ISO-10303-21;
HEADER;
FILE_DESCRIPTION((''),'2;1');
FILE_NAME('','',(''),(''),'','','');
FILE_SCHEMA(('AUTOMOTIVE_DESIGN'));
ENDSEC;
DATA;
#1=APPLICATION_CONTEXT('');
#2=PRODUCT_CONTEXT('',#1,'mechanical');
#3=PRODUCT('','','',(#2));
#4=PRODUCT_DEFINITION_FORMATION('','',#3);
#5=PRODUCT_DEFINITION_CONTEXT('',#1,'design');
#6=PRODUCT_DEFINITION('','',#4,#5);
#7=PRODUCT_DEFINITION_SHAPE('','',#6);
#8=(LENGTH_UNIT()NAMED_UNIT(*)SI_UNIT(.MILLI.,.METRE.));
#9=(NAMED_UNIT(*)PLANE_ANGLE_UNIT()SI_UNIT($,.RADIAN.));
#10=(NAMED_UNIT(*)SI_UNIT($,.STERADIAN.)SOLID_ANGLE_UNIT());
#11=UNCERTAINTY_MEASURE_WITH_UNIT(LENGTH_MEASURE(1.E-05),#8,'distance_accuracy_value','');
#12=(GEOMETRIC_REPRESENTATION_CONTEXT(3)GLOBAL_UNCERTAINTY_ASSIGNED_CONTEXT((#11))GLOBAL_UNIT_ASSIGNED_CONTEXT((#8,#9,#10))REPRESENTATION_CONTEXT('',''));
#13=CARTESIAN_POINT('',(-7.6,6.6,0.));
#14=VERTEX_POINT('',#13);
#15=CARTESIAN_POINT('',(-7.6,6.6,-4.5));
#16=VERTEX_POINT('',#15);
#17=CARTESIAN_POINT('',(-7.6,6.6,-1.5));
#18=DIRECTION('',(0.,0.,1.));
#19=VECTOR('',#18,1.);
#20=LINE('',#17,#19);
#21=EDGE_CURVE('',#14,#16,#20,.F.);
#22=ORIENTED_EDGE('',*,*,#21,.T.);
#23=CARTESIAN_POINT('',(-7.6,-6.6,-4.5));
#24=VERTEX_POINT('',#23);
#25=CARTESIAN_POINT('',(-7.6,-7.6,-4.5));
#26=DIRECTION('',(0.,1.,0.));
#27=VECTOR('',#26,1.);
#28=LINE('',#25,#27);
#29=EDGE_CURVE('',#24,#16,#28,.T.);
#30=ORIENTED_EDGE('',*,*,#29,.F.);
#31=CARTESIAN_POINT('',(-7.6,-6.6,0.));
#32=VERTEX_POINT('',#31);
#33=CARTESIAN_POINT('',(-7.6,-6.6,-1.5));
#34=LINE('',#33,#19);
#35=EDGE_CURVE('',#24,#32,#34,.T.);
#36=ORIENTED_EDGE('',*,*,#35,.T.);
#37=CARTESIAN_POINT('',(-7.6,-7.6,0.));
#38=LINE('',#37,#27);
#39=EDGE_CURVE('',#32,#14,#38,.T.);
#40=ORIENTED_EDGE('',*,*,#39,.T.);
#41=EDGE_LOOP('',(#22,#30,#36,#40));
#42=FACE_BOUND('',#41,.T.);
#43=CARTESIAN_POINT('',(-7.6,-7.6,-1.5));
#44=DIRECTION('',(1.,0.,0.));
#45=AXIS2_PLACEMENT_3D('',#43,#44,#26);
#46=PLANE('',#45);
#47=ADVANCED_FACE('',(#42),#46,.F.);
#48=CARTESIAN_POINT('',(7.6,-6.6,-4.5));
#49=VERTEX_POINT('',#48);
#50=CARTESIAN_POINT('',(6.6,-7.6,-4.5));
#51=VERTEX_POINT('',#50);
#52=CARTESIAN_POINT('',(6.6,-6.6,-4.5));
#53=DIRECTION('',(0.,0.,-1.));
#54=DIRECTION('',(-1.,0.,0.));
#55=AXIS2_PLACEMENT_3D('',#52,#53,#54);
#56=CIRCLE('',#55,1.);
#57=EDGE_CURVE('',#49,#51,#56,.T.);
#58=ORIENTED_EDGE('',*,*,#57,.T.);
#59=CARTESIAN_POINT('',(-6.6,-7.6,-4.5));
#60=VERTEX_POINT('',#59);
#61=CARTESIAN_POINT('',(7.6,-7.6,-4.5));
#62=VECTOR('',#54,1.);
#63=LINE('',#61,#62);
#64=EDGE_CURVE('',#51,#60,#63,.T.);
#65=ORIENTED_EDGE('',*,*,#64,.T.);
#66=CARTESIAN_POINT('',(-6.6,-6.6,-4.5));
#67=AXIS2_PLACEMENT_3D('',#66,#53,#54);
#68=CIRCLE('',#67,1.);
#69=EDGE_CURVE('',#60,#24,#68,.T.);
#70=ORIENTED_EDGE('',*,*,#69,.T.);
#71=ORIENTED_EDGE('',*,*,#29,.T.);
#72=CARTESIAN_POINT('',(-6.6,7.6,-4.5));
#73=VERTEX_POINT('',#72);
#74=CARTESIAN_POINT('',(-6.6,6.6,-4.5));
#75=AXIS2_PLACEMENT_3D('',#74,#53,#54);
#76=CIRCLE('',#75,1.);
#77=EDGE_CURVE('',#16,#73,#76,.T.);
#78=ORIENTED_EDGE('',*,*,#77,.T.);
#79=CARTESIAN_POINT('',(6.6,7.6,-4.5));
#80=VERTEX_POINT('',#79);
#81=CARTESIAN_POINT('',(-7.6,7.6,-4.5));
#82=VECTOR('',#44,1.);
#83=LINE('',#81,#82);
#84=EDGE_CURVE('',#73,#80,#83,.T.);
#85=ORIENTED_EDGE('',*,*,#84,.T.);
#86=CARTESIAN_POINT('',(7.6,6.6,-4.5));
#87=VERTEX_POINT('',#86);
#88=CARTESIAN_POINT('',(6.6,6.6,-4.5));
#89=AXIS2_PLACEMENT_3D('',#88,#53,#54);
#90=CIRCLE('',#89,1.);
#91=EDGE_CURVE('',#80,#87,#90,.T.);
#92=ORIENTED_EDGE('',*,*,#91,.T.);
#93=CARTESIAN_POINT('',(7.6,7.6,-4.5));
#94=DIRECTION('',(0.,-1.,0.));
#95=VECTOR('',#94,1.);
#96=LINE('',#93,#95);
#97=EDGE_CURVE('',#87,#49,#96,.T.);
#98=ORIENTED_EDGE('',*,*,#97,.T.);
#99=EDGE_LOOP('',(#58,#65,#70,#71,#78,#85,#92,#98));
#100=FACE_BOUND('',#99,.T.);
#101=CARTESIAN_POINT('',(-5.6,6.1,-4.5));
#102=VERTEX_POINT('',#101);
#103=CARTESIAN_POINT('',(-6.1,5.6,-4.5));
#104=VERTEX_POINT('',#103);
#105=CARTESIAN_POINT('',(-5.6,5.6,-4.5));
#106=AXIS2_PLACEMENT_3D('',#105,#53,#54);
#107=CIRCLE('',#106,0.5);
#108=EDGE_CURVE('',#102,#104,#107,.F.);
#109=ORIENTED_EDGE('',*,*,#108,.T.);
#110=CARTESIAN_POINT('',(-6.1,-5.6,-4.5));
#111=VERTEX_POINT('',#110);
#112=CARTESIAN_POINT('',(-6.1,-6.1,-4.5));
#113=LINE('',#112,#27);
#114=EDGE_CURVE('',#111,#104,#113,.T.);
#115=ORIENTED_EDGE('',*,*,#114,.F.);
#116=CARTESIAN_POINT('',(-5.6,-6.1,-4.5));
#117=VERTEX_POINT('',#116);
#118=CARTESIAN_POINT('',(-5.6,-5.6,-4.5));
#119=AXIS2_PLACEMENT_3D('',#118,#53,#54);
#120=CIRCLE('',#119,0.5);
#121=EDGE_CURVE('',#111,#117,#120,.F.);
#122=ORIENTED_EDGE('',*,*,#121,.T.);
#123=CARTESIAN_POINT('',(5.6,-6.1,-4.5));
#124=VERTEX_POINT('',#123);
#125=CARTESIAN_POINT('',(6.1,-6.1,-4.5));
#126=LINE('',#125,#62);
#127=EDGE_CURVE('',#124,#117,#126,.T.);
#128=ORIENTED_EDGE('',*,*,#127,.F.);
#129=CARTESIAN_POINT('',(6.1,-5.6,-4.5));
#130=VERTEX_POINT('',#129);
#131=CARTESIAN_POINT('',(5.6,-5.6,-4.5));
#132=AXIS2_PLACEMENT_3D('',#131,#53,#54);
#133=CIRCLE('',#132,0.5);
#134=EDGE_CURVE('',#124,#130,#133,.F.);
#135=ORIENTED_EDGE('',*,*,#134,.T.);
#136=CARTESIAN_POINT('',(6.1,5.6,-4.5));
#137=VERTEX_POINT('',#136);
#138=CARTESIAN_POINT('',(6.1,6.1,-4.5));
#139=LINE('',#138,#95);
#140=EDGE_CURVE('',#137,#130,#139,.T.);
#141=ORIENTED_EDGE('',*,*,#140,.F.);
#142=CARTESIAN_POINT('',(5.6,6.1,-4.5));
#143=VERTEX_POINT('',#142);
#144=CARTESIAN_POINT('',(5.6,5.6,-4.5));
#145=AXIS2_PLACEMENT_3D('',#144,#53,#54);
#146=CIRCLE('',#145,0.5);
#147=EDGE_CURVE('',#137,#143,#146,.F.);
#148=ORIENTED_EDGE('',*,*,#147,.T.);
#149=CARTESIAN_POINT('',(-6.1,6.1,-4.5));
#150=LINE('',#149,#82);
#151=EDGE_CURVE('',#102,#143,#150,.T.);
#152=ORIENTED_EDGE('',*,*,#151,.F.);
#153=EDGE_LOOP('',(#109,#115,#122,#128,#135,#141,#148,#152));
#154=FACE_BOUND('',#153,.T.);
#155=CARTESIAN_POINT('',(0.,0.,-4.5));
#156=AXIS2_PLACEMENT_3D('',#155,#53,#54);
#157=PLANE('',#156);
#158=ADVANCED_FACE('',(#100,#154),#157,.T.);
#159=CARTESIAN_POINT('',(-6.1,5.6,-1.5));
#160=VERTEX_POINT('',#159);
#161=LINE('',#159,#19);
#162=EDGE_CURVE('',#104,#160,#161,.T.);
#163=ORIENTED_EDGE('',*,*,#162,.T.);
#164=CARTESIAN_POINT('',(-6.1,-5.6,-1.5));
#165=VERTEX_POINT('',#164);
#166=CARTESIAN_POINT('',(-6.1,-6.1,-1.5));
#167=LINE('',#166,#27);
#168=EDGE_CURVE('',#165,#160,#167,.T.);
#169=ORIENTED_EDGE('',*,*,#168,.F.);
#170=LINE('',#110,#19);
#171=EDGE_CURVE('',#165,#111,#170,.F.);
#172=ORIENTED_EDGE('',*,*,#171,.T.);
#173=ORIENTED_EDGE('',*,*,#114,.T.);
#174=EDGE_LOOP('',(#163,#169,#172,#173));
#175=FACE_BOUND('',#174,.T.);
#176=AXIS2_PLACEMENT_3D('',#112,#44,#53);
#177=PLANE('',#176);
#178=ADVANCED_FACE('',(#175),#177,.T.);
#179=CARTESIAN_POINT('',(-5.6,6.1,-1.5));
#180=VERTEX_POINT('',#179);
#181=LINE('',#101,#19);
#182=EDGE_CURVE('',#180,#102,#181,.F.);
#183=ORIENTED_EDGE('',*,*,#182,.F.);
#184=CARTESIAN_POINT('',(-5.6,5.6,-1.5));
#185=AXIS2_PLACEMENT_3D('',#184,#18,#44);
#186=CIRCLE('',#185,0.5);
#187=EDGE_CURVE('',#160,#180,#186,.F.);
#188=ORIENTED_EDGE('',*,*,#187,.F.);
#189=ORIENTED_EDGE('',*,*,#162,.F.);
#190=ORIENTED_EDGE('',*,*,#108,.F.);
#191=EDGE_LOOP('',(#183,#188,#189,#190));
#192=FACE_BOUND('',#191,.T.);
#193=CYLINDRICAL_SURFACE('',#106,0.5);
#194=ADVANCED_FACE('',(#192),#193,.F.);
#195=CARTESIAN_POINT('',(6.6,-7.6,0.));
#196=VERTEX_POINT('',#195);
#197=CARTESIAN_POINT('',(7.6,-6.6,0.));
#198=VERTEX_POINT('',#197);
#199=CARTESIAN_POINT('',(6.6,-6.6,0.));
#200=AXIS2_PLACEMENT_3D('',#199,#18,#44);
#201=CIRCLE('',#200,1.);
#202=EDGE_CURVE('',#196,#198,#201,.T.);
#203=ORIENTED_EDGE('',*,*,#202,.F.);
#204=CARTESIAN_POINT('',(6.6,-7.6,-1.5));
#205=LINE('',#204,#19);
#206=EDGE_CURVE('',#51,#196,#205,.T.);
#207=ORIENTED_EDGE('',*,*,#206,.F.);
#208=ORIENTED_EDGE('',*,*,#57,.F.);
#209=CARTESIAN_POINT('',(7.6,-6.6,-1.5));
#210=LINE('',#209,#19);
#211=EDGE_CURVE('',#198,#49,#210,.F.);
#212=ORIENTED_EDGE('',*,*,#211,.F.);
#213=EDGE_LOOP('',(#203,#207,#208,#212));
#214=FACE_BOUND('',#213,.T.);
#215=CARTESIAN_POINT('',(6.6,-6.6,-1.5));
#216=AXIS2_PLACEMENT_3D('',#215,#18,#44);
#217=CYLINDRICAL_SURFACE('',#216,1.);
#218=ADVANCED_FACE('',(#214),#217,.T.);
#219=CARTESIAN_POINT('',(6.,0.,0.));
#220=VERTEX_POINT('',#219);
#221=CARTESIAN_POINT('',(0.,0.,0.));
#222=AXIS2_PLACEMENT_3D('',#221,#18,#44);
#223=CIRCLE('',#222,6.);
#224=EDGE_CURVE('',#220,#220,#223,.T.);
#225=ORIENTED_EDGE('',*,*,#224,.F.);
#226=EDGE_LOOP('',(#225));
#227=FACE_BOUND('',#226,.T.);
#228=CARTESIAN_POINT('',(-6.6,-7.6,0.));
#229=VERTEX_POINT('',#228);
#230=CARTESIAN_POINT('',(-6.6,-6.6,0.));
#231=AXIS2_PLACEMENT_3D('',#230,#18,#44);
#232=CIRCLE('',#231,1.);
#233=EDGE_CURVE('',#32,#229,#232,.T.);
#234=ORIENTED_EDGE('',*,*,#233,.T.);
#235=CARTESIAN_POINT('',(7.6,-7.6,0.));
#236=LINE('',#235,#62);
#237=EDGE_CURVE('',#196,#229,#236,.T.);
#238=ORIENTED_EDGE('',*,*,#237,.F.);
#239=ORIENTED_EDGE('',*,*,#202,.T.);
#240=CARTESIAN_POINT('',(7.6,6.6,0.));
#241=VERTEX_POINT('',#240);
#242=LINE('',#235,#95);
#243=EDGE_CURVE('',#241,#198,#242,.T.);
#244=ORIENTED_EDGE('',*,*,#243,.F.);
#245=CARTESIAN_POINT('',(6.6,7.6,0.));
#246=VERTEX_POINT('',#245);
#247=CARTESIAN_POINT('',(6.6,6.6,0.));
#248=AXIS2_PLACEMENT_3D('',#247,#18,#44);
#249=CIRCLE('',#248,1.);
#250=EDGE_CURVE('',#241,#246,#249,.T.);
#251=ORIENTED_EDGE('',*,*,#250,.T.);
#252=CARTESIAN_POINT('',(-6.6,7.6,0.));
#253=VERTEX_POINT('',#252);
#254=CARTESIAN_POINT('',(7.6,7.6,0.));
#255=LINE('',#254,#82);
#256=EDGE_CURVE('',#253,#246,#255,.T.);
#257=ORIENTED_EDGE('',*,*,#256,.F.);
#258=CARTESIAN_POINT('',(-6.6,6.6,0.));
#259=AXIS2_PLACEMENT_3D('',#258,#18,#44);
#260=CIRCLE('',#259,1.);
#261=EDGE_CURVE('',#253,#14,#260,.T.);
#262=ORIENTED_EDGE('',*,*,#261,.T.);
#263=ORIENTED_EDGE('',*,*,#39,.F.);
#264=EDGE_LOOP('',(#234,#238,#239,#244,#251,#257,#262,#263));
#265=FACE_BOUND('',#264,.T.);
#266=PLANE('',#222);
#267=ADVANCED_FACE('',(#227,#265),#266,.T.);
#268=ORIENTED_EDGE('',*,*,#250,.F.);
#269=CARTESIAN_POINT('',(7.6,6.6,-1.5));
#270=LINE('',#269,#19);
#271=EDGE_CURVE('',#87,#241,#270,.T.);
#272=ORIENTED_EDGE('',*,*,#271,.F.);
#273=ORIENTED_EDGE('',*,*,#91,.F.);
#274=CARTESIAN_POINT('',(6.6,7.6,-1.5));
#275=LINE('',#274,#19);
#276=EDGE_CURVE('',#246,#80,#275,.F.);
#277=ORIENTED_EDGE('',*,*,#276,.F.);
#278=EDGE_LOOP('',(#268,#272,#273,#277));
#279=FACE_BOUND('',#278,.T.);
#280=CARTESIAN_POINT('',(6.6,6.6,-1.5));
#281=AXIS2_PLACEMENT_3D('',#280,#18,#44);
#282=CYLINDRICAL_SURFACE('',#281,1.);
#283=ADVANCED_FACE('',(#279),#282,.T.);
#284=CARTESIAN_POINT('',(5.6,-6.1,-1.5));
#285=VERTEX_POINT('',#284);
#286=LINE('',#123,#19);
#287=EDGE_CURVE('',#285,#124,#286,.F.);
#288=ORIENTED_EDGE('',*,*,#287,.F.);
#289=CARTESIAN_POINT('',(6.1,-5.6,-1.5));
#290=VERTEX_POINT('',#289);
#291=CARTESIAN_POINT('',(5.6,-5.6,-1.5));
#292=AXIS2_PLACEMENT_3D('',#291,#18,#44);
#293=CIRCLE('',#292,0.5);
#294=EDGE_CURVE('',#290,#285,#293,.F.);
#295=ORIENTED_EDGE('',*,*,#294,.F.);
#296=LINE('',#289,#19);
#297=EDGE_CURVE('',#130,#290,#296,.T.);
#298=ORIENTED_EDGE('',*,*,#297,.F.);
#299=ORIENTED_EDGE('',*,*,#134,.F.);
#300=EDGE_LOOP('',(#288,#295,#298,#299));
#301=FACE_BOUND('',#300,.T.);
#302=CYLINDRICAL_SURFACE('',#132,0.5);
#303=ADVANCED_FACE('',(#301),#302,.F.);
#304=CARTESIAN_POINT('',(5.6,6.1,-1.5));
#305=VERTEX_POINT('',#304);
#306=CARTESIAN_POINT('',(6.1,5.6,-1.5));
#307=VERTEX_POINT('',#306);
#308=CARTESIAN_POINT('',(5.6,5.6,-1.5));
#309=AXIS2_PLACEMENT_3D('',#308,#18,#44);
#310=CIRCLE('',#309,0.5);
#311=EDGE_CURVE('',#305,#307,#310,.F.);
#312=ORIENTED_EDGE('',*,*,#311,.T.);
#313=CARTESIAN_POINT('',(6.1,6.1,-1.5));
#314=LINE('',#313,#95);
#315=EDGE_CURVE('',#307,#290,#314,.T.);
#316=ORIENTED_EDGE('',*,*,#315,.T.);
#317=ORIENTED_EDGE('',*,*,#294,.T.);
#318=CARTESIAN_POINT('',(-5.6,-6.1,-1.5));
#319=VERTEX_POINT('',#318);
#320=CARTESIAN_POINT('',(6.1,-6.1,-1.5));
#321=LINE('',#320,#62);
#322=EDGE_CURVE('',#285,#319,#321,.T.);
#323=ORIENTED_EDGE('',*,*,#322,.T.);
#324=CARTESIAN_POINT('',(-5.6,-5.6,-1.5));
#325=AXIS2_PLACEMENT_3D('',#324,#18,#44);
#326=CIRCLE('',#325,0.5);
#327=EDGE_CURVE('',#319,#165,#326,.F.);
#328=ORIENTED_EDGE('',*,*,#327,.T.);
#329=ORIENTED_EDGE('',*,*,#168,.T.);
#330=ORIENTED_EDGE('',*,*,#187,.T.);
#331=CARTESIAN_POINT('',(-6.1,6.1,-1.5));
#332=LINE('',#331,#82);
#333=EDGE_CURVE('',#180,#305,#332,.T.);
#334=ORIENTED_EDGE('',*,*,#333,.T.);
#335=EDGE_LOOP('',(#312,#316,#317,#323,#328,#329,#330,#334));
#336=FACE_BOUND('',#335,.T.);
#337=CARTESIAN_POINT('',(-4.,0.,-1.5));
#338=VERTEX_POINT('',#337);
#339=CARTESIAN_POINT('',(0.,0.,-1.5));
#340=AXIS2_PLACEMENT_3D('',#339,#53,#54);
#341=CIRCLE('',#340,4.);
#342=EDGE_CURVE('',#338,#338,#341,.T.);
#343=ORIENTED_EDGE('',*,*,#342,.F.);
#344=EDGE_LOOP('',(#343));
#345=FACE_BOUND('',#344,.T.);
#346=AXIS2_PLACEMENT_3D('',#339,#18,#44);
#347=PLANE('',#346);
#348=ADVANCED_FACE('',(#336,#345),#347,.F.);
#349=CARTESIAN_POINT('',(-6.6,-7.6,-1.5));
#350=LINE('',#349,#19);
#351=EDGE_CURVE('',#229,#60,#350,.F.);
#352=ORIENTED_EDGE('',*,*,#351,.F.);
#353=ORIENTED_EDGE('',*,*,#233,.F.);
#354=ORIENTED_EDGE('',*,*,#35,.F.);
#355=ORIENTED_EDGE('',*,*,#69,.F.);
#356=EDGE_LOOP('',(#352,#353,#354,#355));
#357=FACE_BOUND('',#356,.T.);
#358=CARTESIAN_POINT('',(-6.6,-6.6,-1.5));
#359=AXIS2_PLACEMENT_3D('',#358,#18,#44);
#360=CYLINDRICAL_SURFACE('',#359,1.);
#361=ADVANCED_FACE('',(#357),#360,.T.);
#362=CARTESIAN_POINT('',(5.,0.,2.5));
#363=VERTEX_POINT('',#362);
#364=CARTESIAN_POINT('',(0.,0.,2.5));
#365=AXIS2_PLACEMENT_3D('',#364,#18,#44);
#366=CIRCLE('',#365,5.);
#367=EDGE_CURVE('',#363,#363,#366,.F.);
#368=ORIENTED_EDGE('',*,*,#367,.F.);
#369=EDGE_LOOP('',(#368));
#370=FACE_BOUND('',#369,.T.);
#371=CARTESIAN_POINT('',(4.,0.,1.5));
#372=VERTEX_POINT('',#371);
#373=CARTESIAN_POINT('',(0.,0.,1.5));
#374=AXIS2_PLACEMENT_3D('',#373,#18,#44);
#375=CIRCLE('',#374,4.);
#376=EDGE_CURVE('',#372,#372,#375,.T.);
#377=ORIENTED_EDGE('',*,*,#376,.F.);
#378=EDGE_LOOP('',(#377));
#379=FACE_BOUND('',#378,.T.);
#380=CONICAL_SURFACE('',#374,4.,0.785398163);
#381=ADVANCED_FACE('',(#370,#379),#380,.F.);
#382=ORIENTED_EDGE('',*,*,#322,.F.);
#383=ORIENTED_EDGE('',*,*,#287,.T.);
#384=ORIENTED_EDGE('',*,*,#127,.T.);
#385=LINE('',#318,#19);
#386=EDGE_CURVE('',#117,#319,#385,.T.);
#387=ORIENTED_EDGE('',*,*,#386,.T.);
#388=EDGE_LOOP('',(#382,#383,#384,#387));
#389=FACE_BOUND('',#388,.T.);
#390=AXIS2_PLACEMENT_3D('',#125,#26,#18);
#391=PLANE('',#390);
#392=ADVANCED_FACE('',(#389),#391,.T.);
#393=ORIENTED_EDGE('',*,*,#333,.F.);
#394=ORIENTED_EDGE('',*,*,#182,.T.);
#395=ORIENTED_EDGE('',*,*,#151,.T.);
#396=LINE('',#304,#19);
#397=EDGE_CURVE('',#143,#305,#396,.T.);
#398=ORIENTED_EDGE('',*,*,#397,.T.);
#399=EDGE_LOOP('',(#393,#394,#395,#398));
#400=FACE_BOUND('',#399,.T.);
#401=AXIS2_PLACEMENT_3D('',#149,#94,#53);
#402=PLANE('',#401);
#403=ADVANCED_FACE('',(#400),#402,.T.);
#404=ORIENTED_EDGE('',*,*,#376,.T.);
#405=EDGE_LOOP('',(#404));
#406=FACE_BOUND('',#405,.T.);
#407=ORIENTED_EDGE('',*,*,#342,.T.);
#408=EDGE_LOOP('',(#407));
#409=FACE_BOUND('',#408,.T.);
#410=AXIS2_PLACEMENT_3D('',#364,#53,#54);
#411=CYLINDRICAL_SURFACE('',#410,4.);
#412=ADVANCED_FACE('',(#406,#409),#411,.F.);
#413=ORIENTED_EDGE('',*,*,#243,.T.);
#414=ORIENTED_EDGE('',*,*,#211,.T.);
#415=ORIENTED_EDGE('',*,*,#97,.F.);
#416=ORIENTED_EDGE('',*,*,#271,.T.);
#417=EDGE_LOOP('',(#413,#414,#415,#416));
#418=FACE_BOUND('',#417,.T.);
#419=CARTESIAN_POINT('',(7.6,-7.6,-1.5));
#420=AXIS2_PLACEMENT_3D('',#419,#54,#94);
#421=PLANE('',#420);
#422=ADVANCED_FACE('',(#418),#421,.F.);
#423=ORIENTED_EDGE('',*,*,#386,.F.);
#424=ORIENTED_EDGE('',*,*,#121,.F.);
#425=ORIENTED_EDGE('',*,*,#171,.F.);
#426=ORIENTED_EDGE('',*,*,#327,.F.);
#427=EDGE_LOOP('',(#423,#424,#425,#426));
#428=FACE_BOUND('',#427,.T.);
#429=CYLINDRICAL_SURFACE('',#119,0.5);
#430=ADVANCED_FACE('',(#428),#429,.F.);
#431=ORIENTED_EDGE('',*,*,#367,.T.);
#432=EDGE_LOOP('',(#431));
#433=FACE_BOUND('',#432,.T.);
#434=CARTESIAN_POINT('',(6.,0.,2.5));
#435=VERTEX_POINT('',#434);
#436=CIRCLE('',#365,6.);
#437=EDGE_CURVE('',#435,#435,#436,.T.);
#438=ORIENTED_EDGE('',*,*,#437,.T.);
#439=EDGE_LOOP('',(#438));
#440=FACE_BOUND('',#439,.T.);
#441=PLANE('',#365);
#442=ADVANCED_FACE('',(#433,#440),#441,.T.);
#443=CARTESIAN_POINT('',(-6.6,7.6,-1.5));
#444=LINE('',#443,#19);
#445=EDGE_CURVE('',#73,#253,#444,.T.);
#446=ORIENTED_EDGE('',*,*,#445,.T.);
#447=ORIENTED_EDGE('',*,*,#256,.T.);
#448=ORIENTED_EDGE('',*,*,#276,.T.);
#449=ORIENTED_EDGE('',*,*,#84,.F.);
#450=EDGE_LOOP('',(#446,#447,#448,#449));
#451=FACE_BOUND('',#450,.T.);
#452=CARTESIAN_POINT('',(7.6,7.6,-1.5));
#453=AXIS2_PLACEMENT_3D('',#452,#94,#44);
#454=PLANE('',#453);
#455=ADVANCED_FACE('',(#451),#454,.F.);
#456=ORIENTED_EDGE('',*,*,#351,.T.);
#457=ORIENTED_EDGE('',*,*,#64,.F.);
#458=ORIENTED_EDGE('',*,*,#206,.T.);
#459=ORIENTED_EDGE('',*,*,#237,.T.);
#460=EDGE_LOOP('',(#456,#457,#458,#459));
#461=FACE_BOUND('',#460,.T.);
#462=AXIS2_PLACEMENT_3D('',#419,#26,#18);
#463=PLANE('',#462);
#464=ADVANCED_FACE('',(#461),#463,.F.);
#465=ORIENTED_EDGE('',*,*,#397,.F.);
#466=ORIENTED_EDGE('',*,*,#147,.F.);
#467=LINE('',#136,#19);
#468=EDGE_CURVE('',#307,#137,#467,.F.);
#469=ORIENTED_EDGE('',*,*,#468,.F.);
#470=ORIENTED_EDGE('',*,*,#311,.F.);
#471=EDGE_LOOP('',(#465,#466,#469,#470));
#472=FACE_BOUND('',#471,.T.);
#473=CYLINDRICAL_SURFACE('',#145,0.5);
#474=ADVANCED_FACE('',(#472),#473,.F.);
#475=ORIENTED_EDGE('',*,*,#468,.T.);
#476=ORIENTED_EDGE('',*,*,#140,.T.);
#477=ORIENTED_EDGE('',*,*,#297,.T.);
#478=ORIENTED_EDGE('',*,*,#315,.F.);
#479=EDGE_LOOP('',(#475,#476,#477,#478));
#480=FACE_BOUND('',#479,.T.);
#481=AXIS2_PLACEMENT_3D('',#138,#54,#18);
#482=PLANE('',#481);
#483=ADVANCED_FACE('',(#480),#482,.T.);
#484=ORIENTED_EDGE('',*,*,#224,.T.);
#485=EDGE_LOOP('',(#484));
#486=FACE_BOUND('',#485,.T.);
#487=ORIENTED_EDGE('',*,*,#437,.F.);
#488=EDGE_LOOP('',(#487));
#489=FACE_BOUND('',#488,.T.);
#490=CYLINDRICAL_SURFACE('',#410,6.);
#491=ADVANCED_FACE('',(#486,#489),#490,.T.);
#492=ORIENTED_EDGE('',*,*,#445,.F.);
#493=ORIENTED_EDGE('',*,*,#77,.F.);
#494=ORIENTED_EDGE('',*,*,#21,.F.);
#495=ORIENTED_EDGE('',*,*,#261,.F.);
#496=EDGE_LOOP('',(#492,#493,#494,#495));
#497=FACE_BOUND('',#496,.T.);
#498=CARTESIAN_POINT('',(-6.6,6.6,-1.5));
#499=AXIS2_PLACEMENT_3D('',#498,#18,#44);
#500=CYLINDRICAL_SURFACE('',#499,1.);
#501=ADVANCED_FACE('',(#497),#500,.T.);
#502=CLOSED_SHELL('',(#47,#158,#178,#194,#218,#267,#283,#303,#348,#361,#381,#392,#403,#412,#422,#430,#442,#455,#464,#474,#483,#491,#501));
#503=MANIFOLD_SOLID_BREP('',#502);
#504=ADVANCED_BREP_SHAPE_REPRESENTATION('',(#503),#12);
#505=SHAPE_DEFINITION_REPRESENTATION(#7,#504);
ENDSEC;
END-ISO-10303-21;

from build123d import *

# Parameters (mm, degrees)
SKETCH1_R      = 6
SKETCH1_R_2    = 4
EXTRUDE1_DEPTH = 2.5
CHAMFER1_SIZE  = 1
EXTRUDE3_START = 1.5
SKETCH2_W      = 15.2
SKETCH2_H      = 15.2
SKETCH2_R      = 4
EXTRUDE3_DEPTH = 1.5
SKETCH3_W      = 15.2
SKETCH3_H      = 15.2
SKETCH3_W_2    = 12.2
SKETCH3_H_2    = 12.2
EXTRUDE4_DEPTH = 3
FILLET1_R      = 1
FILLET2_R      = 0.5


with BuildPart() as part:
    # Sketch1 → Extrude1 (new body)
    with BuildSketch(Plane.XY):
        Circle(SKETCH1_R)
        Circle(SKETCH1_R_2, mode=Mode.SUBTRACT)
    extrude(amount=EXTRUDE1_DEPTH)

    # Chamfer1
    chamfer1_edges = [part.edges().sort_by_distance(p)[0] for p in [
        (-4, 0, 2.5),
    ]]
    chamfer(chamfer1_edges, length=CHAMFER1_SIZE)

    # Sketch2 → Extrude3 (add)
    with BuildSketch(Plane(origin=(0, 0, 0), x_dir=(-1, 0, 0), z_dir=(0, 0, -1)).offset(EXTRUDE3_START)):
        Rectangle(SKETCH2_W, SKETCH2_H)
        Circle(SKETCH2_R, mode=Mode.SUBTRACT)
    extrude(amount=-EXTRUDE3_DEPTH)

    # Sketch3 → Extrude4 (add)
    with BuildSketch(Plane(origin=(0, 0, -1.5), x_dir=(-1, 0, 0), z_dir=(0, 0, -1))):
        Rectangle(SKETCH3_W, SKETCH3_H)
        Rectangle(SKETCH3_W_2, SKETCH3_H_2, mode=Mode.SUBTRACT)
    extrude(amount=EXTRUDE4_DEPTH)

    # Fillet1
    fillet1_edges = [part.edges().sort_by_distance(p)[0] for p in [
        (-7.6, -7.6, -3),
        (-7.6, 7.6, -3),
        (7.6, 7.6, -3),
        (7.6, -7.6, -3),
    ]]
    fillet(fillet1_edges, radius=FILLET1_R)

    # Fillet2
    fillet2_edges = [part.edges().sort_by_distance(p)[0] for p in [
        (-6.1, 6.1, -3),
        (6.1, 6.1, -3),
        (6.1, -6.1, -3),
        (-6.1, -6.1, -3),
    ]]
    fillet(fillet2_edges, radius=FILLET2_R)


solid = part.part
